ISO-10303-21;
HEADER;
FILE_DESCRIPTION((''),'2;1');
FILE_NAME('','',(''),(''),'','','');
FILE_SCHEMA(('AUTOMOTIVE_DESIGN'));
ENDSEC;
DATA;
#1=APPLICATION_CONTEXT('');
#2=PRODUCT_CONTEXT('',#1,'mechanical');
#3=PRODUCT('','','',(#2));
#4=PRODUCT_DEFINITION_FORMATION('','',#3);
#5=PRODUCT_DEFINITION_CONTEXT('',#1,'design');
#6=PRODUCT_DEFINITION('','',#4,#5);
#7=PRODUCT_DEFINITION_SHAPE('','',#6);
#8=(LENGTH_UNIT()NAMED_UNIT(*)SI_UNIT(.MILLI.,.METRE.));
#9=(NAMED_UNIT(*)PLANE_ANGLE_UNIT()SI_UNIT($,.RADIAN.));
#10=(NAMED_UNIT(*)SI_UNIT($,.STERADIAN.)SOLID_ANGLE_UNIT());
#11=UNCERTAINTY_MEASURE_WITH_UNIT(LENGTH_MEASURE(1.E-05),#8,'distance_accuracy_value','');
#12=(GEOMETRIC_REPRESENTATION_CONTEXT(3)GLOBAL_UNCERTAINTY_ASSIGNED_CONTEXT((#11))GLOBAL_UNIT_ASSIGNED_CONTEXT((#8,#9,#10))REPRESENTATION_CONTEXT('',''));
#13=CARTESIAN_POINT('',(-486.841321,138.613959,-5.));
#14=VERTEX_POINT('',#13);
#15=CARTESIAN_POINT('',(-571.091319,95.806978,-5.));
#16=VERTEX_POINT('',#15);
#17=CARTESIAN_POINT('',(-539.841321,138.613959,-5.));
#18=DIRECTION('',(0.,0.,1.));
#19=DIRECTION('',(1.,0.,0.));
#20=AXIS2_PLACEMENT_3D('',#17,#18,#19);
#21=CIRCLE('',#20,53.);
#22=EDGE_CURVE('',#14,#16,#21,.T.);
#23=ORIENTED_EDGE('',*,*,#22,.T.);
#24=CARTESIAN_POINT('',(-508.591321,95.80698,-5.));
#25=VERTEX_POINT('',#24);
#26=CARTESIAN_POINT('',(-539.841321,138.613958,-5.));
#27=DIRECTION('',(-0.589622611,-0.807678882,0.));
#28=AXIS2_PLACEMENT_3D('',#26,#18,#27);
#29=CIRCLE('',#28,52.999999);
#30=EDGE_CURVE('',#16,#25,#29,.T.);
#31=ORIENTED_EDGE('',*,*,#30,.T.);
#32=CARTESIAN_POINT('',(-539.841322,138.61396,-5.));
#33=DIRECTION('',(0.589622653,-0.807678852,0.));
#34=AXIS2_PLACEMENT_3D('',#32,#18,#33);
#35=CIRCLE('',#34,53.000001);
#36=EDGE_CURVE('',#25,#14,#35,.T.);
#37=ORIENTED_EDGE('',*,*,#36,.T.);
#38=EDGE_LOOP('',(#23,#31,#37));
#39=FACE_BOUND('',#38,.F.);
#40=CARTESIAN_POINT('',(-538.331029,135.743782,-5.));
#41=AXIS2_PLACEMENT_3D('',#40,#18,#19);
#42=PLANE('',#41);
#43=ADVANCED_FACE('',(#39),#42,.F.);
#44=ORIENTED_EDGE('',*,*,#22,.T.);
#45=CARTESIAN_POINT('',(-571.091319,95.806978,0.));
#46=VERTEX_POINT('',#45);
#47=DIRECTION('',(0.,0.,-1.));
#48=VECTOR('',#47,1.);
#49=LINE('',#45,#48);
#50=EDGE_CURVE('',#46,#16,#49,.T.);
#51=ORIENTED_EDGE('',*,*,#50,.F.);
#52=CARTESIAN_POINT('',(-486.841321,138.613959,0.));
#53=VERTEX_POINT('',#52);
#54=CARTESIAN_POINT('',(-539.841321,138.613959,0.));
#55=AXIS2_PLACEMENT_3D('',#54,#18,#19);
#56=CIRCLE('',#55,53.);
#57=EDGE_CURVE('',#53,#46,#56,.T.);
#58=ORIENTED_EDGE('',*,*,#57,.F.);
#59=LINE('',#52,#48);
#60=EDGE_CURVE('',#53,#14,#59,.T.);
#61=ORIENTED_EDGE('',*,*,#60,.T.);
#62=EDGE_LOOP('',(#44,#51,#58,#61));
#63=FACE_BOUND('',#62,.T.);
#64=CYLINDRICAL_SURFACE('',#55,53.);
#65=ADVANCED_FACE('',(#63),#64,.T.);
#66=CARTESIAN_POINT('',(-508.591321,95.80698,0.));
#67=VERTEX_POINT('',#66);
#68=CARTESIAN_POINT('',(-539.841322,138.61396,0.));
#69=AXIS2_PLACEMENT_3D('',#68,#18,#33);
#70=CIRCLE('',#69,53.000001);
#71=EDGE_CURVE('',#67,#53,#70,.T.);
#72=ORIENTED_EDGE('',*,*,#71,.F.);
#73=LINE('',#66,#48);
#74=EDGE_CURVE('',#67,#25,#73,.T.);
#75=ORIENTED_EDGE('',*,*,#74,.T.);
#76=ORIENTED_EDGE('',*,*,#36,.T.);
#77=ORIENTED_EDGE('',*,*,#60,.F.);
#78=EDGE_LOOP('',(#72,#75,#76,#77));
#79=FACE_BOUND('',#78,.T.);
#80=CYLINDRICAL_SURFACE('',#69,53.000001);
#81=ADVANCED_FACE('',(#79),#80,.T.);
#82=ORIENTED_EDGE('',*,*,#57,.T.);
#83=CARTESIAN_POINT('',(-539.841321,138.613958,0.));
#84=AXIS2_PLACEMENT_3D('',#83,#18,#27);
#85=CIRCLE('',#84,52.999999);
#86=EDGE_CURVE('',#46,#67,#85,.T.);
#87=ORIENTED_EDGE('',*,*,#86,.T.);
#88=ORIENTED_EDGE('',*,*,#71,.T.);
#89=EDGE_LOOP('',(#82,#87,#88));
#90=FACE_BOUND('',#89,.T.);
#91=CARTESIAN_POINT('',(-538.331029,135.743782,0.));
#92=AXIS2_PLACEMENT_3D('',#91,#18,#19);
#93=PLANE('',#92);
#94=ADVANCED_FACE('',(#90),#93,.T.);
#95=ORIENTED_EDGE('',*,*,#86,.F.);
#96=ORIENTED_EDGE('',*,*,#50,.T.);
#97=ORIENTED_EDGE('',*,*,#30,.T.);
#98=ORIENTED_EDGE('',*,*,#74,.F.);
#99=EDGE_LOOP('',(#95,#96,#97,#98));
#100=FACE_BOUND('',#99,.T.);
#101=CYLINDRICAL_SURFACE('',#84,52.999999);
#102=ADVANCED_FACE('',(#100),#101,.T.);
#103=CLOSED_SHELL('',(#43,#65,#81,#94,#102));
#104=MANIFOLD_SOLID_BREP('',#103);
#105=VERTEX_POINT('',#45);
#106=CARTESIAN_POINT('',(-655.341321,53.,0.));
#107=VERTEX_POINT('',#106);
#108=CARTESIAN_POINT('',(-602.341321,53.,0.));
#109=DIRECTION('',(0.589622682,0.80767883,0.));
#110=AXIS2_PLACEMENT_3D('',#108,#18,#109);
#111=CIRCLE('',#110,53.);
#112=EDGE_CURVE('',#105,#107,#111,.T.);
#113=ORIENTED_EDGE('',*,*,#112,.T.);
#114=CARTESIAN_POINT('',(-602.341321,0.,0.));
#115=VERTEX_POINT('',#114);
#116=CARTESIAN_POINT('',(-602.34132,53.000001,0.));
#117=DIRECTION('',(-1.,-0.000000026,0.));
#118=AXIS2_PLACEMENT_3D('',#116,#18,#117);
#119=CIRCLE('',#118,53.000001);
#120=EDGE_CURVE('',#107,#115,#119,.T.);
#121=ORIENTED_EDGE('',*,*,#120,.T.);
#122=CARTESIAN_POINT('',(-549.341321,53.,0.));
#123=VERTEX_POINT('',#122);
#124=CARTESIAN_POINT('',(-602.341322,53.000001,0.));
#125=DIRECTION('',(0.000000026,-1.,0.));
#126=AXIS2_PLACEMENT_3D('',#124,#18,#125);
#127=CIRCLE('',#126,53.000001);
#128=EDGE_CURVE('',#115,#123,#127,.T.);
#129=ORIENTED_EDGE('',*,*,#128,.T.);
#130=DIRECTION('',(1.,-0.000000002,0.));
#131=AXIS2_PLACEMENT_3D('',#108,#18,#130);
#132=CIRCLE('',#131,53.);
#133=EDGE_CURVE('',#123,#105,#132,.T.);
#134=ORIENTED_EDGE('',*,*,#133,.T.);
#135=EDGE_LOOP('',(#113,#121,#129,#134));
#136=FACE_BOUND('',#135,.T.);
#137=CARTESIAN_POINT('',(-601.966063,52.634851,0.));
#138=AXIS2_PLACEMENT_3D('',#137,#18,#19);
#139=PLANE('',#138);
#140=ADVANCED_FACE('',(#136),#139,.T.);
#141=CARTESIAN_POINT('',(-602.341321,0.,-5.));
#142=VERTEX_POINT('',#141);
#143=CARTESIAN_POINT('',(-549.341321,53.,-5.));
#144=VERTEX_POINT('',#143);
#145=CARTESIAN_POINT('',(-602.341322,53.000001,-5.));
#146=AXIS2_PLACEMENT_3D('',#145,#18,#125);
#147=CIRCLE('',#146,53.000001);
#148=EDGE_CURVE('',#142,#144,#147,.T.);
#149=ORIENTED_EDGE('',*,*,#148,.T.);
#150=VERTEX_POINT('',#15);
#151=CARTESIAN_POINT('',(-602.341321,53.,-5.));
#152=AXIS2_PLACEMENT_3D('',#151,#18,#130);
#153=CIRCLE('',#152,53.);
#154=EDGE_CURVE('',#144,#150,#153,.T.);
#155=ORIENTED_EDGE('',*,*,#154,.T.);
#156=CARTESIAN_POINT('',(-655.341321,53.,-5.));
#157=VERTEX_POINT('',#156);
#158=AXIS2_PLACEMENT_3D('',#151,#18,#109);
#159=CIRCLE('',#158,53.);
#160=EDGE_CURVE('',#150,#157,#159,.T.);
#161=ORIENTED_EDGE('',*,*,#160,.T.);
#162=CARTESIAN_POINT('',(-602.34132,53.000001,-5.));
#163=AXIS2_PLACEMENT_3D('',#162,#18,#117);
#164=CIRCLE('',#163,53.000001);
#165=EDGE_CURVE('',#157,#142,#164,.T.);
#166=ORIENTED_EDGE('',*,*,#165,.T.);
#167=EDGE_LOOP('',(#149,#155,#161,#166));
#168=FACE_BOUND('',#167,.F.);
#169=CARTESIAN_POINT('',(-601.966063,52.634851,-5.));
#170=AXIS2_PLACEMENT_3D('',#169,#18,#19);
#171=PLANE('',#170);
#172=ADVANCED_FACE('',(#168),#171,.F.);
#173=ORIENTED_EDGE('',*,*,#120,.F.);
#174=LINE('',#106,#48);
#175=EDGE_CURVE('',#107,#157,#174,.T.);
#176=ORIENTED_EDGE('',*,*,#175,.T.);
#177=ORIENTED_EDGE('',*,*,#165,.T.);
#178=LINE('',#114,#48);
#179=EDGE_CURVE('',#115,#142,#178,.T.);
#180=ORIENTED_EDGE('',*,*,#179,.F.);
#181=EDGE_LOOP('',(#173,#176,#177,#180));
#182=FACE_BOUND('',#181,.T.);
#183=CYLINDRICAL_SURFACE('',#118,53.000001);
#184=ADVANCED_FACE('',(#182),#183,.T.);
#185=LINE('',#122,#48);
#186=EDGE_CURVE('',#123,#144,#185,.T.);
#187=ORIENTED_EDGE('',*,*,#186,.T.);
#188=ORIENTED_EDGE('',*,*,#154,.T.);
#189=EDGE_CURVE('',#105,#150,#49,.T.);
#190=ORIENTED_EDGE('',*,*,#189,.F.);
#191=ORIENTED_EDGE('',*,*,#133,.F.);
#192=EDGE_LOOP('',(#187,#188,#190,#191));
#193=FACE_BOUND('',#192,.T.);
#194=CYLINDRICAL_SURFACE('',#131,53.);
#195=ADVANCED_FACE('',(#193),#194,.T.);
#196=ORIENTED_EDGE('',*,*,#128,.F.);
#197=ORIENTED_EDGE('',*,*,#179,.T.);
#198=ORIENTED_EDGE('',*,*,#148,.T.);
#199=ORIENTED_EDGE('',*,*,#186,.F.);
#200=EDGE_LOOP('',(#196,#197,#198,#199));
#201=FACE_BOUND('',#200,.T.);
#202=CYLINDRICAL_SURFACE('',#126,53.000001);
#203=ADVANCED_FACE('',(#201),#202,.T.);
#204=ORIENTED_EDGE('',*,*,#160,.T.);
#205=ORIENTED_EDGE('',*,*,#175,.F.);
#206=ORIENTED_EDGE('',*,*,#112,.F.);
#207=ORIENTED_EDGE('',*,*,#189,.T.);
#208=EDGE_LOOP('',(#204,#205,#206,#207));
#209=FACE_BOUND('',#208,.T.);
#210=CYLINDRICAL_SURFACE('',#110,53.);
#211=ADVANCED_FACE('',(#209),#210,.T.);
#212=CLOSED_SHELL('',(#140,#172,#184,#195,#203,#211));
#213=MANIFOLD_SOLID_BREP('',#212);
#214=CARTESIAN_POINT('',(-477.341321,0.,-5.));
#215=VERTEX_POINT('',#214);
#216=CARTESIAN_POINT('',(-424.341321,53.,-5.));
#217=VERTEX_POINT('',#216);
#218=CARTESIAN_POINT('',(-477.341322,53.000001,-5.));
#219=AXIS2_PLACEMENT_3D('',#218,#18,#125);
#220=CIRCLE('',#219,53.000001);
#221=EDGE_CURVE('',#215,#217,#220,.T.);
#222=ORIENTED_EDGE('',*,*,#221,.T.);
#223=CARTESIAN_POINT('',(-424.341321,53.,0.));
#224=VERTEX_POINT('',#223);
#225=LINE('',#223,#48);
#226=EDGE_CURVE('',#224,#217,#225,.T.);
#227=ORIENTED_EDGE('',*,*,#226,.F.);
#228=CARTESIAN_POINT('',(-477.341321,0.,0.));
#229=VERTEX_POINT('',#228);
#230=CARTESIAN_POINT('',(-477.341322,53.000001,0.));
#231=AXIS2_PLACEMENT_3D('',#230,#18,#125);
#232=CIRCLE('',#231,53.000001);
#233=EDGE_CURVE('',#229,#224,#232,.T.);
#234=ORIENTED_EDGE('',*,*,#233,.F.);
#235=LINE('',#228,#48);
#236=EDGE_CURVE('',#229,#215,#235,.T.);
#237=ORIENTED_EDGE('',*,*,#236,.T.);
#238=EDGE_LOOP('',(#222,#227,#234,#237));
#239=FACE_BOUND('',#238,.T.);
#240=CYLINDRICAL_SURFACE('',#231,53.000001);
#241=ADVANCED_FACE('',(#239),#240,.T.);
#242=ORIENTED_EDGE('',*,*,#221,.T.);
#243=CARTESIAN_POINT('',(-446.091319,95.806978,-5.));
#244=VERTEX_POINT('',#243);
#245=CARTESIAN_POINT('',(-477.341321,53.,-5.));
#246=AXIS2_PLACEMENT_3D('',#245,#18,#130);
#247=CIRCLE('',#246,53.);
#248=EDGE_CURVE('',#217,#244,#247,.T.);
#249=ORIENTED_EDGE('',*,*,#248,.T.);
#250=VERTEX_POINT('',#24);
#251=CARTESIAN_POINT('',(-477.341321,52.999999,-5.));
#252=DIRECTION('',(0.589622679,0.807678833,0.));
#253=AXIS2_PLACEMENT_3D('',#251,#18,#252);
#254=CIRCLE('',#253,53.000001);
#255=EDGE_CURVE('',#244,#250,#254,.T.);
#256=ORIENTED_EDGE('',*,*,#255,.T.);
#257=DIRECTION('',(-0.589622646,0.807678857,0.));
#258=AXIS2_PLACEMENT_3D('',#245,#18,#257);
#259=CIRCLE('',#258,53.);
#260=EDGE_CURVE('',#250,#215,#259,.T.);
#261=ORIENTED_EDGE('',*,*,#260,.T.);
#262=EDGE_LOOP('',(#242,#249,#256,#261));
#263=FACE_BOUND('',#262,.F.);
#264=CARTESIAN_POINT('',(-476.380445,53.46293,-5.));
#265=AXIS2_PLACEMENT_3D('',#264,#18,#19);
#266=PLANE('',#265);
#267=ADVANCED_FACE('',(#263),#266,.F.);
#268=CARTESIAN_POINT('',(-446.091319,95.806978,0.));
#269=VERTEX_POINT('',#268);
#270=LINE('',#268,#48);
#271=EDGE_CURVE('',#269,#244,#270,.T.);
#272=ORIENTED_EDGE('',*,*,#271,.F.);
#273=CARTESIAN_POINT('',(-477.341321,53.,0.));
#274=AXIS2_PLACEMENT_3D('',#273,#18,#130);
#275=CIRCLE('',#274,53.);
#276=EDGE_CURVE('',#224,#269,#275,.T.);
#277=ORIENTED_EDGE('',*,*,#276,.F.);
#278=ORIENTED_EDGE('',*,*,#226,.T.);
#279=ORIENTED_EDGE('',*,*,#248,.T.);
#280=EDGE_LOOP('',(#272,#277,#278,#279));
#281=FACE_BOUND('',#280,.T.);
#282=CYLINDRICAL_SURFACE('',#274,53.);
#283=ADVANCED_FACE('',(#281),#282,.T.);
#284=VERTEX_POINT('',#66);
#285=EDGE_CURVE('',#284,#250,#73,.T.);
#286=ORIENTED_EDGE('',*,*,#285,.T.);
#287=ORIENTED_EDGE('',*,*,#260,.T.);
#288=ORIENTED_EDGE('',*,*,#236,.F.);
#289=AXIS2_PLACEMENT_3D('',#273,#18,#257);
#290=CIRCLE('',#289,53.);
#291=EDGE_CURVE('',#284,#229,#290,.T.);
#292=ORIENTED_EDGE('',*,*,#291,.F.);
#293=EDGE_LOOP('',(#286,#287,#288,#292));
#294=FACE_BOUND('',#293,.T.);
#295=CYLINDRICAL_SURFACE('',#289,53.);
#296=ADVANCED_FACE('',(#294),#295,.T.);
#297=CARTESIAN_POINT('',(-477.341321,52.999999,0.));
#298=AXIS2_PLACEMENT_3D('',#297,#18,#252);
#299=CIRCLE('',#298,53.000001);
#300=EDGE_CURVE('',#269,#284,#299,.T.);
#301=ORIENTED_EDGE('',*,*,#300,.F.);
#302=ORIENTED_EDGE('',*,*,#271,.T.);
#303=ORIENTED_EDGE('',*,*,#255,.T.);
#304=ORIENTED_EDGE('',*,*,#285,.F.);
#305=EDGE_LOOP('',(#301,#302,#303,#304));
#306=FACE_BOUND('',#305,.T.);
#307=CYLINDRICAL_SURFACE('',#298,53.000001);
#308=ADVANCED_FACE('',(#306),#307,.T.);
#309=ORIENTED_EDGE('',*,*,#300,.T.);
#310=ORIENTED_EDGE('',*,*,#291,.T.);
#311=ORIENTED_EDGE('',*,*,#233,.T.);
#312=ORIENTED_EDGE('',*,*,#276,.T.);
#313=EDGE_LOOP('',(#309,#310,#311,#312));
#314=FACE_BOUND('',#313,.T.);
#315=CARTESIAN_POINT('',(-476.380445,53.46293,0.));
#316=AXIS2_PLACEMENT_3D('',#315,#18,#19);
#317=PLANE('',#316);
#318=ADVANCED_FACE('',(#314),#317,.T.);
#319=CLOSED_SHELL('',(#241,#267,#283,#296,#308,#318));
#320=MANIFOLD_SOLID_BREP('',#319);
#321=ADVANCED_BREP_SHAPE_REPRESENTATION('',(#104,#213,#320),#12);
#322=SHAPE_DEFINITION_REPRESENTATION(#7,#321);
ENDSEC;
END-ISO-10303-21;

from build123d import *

# Parameters (mm, degrees)
F1_DEPTH = 5


with BuildPart() as f1:
    # F0 (on Top) → F1 (new body)
    with BuildSketch(Plane.XY):
        with BuildLine():
            ThreePointArc((-571.091319, 95.806978), (-539.84132, 85.613959), (-508.591321, 95.80698))
            ThreePointArc((-508.591321, 95.80698), (-492.59066, 114.606148), (-486.841321, 138.613959))
            ThreePointArc((-486.841321, 138.613959), (-563.849133, 185.86462), (-571.091319, 95.806978))
        make_face()
        with BuildLine():
            ThreePointArc((-549.341321, 53), (-555.090659, 77.00781), (-571.091319, 95.806978))
            ThreePointArc((-571.091319, 95.806978), (-626.349131, 100.250662), (-655.341321, 53))
            ThreePointArc((-655.341321, 53), (-639.81798, 15.523341), (-602.341321, 0))
            ThreePointArc((-602.341321, 0), (-564.864662, 15.523341), (-549.341321, 53))
        make_face()
        with BuildLine():
            ThreePointArc((-424.341321, 53), (-430.090659, 77.00781), (-446.091319, 95.806978))
            ThreePointArc((-446.091319, 95.806978), (-477.34132, 106), (-508.591321, 95.80698))
            ThreePointArc((-508.591321, 95.80698), (-527.72867, 36.564823), (-477.341321, 0))
            ThreePointArc((-477.341321, 0), (-439.864662, 15.523341), (-424.341321, 53))
        make_face()
    extrude(amount=-F1_DEPTH)


solid = f1.part
